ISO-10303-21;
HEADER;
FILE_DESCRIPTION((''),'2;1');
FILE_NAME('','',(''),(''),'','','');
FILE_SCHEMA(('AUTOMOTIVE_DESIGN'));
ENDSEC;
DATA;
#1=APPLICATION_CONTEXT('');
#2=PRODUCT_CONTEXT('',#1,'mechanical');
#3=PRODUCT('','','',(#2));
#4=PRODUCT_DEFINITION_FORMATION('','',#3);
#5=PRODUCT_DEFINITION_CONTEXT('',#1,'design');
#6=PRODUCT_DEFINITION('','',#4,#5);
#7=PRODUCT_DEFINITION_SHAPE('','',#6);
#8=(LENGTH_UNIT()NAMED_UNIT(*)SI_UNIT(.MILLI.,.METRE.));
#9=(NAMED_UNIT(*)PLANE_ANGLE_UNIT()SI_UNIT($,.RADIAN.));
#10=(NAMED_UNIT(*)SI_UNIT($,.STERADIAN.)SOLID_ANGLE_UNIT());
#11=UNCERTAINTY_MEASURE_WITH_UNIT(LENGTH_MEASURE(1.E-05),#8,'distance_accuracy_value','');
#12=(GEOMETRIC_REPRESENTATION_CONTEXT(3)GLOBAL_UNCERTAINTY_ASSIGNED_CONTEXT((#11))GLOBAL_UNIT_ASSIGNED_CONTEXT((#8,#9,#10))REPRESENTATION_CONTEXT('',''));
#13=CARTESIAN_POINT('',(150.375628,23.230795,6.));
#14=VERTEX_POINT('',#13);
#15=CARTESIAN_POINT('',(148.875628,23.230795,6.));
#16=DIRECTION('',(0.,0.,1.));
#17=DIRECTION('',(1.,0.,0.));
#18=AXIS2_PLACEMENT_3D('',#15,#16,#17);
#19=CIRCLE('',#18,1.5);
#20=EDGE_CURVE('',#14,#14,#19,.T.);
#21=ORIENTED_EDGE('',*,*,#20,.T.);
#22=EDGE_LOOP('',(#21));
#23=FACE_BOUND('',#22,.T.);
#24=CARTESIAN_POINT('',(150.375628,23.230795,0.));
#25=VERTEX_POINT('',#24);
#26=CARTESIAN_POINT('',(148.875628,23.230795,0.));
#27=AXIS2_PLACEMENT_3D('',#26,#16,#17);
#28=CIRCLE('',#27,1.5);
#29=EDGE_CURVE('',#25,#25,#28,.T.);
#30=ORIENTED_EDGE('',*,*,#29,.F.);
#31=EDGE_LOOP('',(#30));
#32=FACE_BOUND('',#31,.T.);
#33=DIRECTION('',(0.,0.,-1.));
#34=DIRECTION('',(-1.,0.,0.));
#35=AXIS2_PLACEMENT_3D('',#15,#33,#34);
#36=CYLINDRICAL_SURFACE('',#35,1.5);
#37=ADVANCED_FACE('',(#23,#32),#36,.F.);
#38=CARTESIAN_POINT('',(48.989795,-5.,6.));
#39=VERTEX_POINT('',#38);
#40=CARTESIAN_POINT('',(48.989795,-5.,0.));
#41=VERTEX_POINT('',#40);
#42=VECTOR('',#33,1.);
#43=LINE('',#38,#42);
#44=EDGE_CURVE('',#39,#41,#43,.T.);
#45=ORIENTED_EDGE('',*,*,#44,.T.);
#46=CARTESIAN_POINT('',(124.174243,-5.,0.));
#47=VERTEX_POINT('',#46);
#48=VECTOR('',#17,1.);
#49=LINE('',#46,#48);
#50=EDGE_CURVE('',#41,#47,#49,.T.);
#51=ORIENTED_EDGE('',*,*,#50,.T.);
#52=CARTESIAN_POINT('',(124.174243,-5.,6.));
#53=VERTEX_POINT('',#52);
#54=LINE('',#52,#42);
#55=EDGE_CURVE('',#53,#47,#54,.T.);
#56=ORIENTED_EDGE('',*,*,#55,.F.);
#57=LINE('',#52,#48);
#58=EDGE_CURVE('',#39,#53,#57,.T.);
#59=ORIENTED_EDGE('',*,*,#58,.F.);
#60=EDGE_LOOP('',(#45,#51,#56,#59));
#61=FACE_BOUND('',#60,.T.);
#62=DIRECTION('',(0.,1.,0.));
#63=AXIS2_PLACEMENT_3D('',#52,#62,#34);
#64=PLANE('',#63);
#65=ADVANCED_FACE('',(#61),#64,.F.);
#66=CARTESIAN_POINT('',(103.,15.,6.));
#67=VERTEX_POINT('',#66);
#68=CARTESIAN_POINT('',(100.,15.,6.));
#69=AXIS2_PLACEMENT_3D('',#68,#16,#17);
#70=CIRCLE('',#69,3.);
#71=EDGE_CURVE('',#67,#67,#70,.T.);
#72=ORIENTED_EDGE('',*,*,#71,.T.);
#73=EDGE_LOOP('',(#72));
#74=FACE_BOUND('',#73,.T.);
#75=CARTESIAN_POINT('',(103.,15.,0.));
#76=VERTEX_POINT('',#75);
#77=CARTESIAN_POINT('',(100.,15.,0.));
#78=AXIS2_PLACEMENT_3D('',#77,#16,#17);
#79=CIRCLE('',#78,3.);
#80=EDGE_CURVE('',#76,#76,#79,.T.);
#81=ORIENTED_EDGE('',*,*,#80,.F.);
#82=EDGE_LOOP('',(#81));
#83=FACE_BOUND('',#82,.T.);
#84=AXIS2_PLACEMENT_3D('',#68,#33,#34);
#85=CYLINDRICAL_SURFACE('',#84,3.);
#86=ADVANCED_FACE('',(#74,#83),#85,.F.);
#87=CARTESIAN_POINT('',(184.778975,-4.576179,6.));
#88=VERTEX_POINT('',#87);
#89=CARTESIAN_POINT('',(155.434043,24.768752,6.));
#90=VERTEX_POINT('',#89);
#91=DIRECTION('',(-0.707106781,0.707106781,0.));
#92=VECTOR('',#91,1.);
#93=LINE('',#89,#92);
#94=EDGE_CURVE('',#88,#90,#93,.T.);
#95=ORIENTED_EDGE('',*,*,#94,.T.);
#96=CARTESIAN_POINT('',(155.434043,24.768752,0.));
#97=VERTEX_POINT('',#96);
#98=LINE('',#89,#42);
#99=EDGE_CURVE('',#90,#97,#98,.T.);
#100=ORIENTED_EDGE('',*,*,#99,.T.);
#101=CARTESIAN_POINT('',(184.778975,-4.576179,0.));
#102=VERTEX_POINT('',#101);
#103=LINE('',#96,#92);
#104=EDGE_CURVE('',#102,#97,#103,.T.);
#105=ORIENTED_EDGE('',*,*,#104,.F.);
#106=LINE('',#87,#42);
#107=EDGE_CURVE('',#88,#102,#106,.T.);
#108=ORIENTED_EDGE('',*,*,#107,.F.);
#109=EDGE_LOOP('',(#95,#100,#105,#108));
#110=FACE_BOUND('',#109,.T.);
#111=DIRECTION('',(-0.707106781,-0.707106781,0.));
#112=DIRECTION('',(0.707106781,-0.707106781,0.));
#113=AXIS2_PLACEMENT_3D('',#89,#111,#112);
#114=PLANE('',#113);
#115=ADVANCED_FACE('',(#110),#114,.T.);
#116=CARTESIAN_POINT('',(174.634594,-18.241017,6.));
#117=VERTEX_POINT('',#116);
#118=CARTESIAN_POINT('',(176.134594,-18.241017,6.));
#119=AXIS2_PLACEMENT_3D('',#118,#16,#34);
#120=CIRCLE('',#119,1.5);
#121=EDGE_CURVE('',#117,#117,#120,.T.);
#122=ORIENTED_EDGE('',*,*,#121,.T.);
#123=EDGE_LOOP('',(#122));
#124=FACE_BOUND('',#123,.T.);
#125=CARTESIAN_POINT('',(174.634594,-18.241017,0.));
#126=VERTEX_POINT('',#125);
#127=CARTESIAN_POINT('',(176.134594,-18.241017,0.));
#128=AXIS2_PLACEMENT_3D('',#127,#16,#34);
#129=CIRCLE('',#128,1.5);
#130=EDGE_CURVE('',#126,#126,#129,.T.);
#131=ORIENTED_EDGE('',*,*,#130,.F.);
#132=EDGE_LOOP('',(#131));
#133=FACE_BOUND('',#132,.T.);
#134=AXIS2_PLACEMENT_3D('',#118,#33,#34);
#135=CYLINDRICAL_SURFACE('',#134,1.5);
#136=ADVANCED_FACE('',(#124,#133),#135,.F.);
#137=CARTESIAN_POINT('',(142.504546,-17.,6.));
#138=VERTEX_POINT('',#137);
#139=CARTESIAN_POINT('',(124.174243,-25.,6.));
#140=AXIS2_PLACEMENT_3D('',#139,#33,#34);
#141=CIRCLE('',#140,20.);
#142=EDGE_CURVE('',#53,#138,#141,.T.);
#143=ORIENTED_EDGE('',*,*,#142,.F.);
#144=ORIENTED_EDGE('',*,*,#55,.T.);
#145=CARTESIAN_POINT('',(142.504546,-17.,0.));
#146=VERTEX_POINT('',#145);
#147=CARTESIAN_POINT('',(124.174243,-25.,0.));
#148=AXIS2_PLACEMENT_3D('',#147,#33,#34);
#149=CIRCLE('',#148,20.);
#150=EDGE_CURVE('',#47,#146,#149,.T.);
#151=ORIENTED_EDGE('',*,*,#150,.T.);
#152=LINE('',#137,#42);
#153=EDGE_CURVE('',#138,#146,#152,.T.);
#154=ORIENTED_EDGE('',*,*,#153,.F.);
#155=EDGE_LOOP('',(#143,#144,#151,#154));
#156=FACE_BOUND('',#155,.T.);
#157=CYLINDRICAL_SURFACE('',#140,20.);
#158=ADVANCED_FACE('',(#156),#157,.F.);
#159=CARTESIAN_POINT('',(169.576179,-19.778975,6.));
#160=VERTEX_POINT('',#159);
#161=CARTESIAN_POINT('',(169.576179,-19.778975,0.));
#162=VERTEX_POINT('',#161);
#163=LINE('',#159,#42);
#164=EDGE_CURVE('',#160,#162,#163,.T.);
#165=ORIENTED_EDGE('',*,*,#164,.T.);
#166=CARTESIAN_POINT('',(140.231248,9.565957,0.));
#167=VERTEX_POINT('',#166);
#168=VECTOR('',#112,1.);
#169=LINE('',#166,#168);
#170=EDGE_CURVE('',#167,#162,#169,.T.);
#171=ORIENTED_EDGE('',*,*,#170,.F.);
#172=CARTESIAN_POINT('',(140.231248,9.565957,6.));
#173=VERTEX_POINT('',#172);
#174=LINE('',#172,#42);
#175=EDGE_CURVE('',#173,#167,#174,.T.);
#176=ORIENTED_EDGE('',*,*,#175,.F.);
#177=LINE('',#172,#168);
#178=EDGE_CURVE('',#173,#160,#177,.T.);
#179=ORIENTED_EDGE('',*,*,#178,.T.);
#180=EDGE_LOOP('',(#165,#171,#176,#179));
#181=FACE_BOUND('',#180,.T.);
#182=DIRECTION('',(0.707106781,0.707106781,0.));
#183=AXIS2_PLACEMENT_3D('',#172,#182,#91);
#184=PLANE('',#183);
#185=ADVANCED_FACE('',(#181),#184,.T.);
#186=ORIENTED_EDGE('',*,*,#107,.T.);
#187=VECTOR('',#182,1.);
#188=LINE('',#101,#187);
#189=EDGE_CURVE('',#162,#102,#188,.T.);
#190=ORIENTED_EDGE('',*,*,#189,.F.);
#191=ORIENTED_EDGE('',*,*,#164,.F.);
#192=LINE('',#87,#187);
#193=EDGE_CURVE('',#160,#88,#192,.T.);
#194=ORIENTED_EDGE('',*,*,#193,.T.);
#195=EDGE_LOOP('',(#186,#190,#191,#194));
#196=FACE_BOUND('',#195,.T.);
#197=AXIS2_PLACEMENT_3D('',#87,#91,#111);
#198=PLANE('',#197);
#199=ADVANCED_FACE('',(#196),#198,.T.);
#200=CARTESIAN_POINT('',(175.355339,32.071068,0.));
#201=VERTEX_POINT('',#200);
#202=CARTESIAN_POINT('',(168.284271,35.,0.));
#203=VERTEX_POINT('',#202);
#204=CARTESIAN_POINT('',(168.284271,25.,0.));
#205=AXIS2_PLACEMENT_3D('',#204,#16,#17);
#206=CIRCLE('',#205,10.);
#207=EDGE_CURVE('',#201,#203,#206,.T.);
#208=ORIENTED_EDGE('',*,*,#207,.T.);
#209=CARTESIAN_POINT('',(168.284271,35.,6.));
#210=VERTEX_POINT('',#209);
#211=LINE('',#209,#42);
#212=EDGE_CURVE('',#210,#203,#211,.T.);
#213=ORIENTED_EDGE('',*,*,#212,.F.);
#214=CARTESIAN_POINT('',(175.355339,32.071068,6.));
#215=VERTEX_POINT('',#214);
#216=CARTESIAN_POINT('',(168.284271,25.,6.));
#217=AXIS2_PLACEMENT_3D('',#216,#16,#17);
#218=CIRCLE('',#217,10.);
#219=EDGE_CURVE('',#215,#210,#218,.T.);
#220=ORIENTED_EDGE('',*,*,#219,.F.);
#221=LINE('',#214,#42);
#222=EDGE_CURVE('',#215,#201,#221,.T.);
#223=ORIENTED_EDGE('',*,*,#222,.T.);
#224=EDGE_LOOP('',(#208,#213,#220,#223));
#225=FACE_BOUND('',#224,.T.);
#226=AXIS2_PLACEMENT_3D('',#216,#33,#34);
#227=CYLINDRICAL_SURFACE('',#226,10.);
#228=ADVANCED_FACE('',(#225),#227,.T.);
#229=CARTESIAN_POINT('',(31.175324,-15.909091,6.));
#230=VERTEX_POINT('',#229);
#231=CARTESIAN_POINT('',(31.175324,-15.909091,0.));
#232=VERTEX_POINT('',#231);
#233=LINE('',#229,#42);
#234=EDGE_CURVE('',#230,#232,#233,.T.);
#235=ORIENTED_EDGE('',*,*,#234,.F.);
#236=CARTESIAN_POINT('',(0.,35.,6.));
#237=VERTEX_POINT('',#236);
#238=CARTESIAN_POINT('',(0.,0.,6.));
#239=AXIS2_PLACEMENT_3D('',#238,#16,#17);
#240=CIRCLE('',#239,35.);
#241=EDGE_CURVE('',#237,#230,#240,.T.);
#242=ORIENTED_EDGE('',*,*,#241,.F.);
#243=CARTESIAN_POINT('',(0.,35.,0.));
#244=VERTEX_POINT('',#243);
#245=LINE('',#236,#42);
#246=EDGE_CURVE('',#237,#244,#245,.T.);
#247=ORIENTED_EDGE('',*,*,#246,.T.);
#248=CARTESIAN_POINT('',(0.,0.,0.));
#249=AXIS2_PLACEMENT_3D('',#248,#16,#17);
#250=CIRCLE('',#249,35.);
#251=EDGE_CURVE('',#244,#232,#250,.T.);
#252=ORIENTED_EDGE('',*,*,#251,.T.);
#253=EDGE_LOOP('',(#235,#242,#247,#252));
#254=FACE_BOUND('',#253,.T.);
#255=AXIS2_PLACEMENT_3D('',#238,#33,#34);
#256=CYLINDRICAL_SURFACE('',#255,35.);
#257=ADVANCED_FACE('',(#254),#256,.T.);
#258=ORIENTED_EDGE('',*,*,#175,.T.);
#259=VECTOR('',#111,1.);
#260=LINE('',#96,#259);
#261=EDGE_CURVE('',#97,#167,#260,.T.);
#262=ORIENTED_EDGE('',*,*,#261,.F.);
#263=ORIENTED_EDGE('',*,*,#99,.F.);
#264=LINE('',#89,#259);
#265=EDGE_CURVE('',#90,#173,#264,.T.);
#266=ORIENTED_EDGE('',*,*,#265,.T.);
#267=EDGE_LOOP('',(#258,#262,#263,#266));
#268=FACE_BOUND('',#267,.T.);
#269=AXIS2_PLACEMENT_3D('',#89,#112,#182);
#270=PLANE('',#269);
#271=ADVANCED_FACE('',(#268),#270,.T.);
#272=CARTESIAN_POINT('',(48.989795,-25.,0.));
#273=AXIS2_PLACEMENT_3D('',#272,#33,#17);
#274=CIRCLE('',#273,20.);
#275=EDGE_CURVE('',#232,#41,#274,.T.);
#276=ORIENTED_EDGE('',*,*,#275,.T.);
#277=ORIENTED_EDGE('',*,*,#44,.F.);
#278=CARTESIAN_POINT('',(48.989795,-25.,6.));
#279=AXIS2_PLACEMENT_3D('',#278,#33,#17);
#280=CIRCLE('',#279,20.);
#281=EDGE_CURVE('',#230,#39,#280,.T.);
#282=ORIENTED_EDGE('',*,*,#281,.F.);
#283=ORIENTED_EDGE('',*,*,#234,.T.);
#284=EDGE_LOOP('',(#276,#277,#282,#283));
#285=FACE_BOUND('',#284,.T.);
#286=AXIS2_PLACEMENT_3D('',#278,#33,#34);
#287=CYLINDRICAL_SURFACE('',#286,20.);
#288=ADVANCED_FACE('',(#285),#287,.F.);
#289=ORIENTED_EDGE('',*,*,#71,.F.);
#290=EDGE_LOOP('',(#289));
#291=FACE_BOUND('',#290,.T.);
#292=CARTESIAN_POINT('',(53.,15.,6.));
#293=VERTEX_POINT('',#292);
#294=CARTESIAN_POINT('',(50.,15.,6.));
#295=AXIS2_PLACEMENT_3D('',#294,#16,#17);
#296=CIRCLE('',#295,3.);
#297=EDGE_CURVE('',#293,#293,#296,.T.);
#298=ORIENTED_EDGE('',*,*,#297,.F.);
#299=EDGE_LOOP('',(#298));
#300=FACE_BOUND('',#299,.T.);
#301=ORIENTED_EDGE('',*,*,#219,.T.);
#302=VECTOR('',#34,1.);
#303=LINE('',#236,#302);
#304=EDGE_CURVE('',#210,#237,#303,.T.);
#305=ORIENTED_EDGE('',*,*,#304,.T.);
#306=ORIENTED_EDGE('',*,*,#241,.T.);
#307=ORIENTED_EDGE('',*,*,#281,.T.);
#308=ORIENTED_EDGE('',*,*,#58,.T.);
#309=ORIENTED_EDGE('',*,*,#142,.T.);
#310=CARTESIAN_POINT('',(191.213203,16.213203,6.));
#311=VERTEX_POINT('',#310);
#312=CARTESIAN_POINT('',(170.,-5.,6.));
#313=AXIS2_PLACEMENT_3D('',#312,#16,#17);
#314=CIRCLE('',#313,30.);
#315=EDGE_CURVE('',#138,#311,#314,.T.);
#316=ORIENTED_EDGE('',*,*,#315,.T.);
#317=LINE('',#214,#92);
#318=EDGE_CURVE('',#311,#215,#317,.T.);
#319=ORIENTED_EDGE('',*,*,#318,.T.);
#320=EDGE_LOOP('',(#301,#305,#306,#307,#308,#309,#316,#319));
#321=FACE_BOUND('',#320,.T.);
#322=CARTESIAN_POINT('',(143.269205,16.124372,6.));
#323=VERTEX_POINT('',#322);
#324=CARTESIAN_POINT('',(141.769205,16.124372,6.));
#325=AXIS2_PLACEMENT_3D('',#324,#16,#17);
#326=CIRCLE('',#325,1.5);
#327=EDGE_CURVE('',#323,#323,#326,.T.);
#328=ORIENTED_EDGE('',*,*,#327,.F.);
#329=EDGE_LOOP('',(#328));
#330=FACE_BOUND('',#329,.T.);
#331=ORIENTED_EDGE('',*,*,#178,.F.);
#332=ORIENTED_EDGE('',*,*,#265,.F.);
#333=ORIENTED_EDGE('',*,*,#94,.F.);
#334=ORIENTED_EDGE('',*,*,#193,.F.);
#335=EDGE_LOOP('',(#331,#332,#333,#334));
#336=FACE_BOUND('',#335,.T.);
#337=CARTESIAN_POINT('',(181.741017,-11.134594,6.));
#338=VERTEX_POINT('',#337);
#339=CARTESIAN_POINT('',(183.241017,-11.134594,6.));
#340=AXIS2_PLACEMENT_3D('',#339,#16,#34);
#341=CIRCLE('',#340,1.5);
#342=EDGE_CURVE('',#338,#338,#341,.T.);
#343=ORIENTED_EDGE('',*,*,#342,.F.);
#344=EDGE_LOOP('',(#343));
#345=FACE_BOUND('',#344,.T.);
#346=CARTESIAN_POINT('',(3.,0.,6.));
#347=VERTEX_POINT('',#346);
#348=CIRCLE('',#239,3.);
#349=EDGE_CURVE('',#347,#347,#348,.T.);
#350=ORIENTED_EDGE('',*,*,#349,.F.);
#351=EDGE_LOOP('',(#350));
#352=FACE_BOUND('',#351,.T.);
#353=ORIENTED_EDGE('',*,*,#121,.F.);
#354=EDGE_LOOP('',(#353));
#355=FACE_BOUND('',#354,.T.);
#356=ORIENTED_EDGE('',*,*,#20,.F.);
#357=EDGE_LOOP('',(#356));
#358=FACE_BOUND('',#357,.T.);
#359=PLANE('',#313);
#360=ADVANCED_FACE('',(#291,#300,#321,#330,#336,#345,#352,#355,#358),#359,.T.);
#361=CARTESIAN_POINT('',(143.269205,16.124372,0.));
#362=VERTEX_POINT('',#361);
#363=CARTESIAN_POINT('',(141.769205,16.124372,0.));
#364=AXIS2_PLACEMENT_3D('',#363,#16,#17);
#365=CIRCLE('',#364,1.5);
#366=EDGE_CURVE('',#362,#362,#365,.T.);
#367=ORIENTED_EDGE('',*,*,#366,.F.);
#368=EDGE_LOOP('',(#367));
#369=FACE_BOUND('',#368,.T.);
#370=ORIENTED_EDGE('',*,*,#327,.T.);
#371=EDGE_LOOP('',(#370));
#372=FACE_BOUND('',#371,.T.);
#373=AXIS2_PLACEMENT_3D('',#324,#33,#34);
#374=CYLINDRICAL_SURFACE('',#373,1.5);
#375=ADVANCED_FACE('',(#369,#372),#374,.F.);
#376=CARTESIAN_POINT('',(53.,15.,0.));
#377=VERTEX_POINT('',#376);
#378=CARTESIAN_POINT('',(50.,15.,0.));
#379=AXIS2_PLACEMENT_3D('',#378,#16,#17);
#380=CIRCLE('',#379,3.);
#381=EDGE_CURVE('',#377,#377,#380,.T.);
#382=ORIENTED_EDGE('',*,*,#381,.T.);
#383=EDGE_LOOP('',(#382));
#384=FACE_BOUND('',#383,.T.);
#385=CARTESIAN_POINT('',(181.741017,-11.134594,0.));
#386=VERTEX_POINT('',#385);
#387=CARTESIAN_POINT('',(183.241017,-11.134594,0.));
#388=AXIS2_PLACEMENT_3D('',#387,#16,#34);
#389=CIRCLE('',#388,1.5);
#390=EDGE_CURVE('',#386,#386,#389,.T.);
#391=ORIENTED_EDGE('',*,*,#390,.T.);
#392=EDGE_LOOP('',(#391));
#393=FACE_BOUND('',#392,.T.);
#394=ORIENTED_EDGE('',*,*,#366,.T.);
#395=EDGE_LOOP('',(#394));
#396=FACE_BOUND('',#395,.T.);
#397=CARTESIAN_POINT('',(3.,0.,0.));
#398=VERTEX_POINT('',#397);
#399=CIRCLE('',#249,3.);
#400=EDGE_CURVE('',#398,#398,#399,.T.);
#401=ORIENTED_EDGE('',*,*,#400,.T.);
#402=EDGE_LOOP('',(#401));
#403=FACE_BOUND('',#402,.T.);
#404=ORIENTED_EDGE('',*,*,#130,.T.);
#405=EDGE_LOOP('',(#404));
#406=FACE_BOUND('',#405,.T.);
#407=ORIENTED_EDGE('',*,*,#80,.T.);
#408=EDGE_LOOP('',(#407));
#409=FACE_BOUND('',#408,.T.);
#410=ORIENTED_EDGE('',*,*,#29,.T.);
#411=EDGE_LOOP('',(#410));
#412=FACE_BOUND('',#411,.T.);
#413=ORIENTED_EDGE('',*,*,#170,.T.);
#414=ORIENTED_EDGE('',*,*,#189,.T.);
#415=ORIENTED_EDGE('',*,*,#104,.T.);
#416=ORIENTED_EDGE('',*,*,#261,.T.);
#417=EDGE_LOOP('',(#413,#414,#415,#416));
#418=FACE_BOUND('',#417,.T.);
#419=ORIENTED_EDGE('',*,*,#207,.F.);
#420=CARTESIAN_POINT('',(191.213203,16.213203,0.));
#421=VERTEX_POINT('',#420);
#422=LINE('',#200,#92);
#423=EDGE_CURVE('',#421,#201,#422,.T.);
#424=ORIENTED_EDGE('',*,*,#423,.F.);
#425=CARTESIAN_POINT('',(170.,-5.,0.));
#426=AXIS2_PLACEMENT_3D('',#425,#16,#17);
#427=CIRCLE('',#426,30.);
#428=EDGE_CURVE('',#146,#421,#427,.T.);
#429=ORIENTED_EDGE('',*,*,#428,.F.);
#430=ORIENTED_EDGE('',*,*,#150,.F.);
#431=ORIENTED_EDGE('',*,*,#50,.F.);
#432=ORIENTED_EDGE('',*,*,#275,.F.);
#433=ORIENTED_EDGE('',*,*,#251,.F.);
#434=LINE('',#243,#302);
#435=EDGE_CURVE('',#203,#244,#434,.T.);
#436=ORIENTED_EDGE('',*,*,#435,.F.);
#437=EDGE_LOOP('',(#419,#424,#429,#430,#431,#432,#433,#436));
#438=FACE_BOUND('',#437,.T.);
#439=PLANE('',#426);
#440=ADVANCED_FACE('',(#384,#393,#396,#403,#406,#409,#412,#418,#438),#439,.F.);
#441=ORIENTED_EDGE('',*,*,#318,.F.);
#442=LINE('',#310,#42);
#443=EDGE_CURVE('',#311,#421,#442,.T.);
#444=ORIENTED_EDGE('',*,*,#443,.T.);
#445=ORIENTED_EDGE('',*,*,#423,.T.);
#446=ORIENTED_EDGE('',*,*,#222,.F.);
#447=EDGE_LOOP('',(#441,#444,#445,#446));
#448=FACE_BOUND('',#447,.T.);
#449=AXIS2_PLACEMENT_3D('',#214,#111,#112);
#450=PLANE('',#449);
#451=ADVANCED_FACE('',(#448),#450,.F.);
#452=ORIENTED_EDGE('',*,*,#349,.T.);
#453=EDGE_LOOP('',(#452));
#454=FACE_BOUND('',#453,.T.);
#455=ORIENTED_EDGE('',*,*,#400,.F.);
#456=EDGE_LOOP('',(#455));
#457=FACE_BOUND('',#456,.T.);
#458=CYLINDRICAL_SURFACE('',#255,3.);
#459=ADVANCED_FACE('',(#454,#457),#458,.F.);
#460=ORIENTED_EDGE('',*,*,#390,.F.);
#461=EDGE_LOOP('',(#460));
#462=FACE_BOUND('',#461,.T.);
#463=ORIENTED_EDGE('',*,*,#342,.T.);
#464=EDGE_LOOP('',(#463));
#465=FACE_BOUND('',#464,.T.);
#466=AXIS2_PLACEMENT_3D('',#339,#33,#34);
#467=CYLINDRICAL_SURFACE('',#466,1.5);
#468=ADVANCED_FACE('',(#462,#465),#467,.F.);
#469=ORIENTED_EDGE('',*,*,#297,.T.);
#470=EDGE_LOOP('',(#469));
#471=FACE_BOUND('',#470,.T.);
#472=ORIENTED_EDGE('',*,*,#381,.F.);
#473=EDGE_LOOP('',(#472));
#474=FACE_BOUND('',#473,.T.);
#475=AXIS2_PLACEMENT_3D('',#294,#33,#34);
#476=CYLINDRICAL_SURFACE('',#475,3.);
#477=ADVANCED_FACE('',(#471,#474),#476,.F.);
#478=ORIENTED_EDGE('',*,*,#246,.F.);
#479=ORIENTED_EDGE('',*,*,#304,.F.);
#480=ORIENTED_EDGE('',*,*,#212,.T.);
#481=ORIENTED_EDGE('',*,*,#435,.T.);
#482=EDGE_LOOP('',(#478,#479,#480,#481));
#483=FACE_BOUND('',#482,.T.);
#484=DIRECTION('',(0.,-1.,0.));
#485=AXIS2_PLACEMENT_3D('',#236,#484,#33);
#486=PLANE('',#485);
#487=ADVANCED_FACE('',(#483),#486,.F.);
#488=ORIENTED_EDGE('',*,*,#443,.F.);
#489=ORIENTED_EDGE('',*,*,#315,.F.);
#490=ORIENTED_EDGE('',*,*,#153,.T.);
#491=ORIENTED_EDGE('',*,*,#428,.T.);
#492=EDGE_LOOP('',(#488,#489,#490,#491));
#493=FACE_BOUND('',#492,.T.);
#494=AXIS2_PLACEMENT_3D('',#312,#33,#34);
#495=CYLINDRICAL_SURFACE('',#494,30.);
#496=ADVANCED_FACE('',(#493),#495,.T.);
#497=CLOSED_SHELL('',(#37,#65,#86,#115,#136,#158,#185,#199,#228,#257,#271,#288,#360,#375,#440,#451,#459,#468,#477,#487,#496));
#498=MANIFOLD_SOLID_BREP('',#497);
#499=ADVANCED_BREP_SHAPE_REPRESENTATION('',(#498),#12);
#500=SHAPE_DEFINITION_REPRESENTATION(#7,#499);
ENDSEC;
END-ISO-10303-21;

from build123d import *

# Parameters (mm, degrees)
SKETCH1_R           = 3
SKETCH1_R_2         = 1.5
BOSS_EXTRUDE1_DEPTH = 6


with BuildPart() as part:
    # Sketch1 → Boss-Extrude1 (new body)
    with BuildSketch(Plane.XY):
        with BuildLine():
            Line((0, 35), (168.284271247, 35))
            ThreePointArc((168.284271247, 35), (172.111105571, 34.238795325), (175.355339059, 32.071067812))
            Line((175.355339059, 32.071067812), (191.213203436, 16.213203436))
            ThreePointArc((191.213203436, 16.213203436), (186.901061777, -29.786167732), (142.50454583, -17))
            ThreePointArc((142.50454583, -17), (135.128694201, -8.266799469), (124.17424305, -5))
            Line((124.17424305, -5), (48.989794856, -5))
            ThreePointArc((48.989794856, -5), (38.545135498, -7.943942692), (31.175323999, -15.909090909))
            ThreePointArc((31.175323999, -15.909090909), (-29.84810029, -18.278153875), (0, 35))
        make_face()
        Circle(SKETCH1_R, mode=Mode.SUBTRACT)
        with Locations((50, 15)):
            Circle(SKETCH1_R, mode=Mode.SUBTRACT)
        with Locations((100, 15)):
            Circle(SKETCH1_R, mode=Mode.SUBTRACT)
        with Locations((183.241017493, -11.134594342)):
            Circle(SKETCH1_R_2, mode=Mode.SUBTRACT)
        with Locations((176.134594342, -18.241017493)):
            Circle(SKETCH1_R_2, mode=Mode.SUBTRACT)
        with Locations((141.769204776, 16.124372073)):
            Circle(SKETCH1_R_2, mode=Mode.SUBTRACT)
        with Locations((148.875627927, 23.230795224)):
            Circle(SKETCH1_R_2, mode=Mode.SUBTRACT)
        Polygon((155.434043323, 24.768752473), (184.778974742, -4.576178946), (169.576178946, -19.778974742), (140.231247527, 9.565956677), align=None, mode=Mode.SUBTRACT)
    extrude(amount=BOSS_EXTRUDE1_DEPTH)


solid = part.part
